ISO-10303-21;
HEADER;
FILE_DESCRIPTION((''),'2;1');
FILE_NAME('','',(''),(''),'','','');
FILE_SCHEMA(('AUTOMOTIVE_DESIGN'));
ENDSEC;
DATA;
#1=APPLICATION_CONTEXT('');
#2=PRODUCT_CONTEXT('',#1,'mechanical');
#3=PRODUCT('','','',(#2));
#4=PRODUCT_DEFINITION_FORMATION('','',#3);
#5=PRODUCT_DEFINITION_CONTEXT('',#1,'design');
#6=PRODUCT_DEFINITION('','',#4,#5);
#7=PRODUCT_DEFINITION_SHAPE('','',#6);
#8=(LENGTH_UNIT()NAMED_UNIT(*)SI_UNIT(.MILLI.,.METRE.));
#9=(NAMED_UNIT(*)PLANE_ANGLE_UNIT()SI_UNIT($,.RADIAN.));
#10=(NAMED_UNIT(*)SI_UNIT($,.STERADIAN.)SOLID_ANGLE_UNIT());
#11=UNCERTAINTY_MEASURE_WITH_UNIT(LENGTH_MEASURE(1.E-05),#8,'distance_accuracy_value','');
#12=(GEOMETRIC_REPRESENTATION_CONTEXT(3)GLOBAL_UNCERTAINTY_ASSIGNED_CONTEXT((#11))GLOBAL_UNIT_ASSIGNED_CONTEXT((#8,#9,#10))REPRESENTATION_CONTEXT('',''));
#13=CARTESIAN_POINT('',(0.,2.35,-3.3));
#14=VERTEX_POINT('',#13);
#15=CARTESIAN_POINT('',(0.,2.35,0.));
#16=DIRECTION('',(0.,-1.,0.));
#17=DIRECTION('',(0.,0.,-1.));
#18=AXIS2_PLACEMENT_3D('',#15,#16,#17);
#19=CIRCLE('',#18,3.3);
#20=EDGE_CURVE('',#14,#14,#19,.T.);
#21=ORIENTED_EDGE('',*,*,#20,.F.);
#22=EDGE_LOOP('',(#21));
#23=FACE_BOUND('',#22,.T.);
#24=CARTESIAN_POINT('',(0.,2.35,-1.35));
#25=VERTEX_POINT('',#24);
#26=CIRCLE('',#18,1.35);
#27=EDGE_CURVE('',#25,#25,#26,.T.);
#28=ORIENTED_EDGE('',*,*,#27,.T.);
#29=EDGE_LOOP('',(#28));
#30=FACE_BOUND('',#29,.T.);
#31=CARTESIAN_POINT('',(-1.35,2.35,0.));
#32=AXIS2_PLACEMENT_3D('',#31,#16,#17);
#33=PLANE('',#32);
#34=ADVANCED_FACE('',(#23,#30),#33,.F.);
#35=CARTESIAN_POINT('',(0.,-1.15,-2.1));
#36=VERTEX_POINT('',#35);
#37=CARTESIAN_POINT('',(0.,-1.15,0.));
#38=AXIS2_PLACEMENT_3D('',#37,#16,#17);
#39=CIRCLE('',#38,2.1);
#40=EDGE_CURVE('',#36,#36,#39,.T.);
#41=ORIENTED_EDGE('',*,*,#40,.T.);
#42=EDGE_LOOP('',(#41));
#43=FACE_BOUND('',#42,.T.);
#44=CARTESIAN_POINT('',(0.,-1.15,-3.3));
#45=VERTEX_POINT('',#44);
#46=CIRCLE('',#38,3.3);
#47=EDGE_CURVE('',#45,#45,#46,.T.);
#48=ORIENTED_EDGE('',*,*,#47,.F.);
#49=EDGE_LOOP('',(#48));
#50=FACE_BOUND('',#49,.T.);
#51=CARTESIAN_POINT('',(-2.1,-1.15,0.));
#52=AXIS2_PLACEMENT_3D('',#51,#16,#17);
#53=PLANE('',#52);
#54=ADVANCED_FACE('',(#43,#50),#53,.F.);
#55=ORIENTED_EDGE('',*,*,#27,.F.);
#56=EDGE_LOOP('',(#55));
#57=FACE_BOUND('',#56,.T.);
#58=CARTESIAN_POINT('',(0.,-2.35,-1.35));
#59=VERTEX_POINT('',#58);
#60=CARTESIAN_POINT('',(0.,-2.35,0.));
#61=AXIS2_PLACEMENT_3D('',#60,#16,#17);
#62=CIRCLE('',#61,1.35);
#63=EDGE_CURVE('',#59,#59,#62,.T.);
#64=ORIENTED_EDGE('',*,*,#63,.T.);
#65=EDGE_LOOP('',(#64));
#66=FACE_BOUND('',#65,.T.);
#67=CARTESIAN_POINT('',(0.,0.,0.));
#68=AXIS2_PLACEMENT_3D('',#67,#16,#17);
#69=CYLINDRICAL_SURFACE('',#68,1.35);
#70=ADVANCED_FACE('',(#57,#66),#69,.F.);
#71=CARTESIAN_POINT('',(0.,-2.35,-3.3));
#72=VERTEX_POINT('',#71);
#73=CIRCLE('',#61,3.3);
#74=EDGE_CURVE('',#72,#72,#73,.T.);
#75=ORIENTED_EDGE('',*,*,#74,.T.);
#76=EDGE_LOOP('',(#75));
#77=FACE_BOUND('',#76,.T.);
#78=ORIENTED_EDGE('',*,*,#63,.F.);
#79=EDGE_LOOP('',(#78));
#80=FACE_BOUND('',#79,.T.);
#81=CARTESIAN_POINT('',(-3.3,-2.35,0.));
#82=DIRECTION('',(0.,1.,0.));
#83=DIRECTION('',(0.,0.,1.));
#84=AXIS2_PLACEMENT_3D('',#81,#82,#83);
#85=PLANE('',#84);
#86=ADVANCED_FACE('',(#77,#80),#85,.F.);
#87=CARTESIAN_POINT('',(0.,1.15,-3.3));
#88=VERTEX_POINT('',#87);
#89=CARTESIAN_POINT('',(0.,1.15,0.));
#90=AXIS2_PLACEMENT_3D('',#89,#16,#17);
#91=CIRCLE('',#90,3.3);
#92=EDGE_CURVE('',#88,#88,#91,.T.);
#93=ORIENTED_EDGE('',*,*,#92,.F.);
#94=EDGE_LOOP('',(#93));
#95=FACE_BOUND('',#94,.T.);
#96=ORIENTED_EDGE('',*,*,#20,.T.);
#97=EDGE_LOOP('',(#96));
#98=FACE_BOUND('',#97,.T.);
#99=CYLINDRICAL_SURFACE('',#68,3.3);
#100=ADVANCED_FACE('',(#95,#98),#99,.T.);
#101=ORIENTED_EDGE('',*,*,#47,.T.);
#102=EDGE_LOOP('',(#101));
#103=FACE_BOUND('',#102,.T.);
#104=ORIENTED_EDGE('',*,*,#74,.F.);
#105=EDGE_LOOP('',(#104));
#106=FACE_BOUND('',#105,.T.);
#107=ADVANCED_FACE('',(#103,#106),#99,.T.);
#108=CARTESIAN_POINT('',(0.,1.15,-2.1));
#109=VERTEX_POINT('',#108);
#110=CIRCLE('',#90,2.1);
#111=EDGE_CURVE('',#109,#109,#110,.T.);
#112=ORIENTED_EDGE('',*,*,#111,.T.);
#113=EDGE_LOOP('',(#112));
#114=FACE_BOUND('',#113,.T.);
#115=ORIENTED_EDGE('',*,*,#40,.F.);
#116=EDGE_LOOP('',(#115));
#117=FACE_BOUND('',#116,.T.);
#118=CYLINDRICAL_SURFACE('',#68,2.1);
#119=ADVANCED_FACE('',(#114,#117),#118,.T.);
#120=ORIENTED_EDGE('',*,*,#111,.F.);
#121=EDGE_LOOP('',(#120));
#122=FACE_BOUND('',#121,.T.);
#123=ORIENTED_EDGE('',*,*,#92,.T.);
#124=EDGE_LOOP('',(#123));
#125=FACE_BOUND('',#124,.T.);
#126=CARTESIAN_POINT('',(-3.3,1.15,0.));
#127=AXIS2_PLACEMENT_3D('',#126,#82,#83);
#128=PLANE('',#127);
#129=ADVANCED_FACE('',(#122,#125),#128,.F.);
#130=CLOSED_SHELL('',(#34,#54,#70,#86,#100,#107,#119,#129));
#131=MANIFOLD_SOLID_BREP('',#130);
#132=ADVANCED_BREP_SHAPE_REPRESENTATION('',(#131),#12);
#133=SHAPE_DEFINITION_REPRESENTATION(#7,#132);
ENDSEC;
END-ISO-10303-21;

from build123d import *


with BuildPart() as part:
    # 草图1 → 旋转1 (revolve)
    with BuildSketch(Plane.XY):
        Polygon((-1.35, 2.35), (-3.3, 2.35), (-3.3, 1.15), (-2.1, 1.15), (-2.1, -1.15), (-3.3, -1.15), (-3.3, -2.35), (-1.35, -2.35), align=None)
    revolve(axis=Axis((0, 0, 0), (0, 1, 0)))


solid = part.part
